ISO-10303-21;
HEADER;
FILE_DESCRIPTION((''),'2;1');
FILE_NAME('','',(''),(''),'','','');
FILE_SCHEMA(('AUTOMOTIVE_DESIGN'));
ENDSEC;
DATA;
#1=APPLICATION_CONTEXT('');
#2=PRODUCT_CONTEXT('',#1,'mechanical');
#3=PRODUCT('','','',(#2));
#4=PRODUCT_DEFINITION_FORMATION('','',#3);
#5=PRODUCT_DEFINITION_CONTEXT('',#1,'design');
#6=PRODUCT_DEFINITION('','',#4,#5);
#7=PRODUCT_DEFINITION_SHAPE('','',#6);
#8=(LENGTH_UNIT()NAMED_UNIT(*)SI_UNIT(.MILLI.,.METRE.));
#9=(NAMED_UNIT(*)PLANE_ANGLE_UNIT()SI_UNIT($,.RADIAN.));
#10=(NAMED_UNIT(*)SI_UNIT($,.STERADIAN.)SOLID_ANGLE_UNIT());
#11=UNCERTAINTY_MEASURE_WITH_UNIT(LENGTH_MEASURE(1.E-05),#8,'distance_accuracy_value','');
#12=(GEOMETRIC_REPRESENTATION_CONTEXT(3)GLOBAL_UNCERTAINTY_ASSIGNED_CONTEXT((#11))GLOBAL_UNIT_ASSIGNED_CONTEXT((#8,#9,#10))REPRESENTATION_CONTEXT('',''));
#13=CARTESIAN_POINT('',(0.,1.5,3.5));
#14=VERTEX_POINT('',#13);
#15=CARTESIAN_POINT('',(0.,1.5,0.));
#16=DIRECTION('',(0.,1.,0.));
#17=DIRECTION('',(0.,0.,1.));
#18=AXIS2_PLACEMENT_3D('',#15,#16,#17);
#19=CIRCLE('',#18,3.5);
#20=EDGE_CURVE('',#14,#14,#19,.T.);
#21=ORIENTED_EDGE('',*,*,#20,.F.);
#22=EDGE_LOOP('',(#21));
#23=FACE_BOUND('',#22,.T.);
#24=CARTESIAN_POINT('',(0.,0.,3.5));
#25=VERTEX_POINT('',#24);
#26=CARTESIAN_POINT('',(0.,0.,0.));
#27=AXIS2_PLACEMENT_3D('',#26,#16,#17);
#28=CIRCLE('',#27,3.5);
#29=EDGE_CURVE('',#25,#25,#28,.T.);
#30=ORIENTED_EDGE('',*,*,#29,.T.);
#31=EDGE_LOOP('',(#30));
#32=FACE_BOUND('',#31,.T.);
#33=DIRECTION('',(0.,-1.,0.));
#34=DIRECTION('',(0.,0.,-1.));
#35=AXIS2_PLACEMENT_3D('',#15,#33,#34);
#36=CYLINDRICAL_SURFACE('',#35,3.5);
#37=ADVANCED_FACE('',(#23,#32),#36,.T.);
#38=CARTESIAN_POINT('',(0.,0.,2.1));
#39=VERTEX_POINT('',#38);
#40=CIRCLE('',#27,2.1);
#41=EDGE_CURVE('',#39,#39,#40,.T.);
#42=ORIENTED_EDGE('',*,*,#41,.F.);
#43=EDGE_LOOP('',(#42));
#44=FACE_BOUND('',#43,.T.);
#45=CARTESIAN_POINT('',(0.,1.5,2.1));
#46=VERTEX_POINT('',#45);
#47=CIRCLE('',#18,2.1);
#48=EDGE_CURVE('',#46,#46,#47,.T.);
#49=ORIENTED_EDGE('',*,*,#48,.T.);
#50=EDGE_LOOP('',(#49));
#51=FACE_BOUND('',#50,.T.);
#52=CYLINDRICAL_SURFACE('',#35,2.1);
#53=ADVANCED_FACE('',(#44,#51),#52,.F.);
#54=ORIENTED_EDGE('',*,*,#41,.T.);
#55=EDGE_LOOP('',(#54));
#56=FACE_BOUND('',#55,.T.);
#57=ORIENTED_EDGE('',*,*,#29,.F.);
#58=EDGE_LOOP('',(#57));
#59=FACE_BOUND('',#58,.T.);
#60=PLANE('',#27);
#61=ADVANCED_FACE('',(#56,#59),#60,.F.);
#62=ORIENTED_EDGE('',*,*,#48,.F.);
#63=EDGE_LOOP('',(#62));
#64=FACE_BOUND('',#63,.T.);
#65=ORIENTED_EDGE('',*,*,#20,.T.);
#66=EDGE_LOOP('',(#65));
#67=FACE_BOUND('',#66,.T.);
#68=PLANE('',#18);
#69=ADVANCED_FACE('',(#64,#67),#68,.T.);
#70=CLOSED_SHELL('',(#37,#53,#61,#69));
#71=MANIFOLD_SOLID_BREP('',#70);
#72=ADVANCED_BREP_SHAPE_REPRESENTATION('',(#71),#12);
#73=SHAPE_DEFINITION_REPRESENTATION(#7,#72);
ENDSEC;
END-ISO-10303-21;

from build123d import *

# Parameters (mm, degrees)
SKETCH_1_R      = 3.5
SKETCH_1_R_2    = 2.1
EXTRUDE_1_DEPTH = 1.5


with BuildPart() as part:
    # 草图1 → 凸台-拉伸1 (new body)
    with BuildSketch(Plane(origin=(0, 0, 0), x_dir=(1, 0, 0), z_dir=(0, 1, 0))):
        with Locations(Location((0, 0, 0), (0, 0, 270))):
            Circle(SKETCH_1_R)
        with Locations(Location((0, 0, 0), (0, 0, 270))):
            Circle(SKETCH_1_R_2, mode=Mode.SUBTRACT)
    extrude(amount=EXTRUDE_1_DEPTH)


solid = part.part
